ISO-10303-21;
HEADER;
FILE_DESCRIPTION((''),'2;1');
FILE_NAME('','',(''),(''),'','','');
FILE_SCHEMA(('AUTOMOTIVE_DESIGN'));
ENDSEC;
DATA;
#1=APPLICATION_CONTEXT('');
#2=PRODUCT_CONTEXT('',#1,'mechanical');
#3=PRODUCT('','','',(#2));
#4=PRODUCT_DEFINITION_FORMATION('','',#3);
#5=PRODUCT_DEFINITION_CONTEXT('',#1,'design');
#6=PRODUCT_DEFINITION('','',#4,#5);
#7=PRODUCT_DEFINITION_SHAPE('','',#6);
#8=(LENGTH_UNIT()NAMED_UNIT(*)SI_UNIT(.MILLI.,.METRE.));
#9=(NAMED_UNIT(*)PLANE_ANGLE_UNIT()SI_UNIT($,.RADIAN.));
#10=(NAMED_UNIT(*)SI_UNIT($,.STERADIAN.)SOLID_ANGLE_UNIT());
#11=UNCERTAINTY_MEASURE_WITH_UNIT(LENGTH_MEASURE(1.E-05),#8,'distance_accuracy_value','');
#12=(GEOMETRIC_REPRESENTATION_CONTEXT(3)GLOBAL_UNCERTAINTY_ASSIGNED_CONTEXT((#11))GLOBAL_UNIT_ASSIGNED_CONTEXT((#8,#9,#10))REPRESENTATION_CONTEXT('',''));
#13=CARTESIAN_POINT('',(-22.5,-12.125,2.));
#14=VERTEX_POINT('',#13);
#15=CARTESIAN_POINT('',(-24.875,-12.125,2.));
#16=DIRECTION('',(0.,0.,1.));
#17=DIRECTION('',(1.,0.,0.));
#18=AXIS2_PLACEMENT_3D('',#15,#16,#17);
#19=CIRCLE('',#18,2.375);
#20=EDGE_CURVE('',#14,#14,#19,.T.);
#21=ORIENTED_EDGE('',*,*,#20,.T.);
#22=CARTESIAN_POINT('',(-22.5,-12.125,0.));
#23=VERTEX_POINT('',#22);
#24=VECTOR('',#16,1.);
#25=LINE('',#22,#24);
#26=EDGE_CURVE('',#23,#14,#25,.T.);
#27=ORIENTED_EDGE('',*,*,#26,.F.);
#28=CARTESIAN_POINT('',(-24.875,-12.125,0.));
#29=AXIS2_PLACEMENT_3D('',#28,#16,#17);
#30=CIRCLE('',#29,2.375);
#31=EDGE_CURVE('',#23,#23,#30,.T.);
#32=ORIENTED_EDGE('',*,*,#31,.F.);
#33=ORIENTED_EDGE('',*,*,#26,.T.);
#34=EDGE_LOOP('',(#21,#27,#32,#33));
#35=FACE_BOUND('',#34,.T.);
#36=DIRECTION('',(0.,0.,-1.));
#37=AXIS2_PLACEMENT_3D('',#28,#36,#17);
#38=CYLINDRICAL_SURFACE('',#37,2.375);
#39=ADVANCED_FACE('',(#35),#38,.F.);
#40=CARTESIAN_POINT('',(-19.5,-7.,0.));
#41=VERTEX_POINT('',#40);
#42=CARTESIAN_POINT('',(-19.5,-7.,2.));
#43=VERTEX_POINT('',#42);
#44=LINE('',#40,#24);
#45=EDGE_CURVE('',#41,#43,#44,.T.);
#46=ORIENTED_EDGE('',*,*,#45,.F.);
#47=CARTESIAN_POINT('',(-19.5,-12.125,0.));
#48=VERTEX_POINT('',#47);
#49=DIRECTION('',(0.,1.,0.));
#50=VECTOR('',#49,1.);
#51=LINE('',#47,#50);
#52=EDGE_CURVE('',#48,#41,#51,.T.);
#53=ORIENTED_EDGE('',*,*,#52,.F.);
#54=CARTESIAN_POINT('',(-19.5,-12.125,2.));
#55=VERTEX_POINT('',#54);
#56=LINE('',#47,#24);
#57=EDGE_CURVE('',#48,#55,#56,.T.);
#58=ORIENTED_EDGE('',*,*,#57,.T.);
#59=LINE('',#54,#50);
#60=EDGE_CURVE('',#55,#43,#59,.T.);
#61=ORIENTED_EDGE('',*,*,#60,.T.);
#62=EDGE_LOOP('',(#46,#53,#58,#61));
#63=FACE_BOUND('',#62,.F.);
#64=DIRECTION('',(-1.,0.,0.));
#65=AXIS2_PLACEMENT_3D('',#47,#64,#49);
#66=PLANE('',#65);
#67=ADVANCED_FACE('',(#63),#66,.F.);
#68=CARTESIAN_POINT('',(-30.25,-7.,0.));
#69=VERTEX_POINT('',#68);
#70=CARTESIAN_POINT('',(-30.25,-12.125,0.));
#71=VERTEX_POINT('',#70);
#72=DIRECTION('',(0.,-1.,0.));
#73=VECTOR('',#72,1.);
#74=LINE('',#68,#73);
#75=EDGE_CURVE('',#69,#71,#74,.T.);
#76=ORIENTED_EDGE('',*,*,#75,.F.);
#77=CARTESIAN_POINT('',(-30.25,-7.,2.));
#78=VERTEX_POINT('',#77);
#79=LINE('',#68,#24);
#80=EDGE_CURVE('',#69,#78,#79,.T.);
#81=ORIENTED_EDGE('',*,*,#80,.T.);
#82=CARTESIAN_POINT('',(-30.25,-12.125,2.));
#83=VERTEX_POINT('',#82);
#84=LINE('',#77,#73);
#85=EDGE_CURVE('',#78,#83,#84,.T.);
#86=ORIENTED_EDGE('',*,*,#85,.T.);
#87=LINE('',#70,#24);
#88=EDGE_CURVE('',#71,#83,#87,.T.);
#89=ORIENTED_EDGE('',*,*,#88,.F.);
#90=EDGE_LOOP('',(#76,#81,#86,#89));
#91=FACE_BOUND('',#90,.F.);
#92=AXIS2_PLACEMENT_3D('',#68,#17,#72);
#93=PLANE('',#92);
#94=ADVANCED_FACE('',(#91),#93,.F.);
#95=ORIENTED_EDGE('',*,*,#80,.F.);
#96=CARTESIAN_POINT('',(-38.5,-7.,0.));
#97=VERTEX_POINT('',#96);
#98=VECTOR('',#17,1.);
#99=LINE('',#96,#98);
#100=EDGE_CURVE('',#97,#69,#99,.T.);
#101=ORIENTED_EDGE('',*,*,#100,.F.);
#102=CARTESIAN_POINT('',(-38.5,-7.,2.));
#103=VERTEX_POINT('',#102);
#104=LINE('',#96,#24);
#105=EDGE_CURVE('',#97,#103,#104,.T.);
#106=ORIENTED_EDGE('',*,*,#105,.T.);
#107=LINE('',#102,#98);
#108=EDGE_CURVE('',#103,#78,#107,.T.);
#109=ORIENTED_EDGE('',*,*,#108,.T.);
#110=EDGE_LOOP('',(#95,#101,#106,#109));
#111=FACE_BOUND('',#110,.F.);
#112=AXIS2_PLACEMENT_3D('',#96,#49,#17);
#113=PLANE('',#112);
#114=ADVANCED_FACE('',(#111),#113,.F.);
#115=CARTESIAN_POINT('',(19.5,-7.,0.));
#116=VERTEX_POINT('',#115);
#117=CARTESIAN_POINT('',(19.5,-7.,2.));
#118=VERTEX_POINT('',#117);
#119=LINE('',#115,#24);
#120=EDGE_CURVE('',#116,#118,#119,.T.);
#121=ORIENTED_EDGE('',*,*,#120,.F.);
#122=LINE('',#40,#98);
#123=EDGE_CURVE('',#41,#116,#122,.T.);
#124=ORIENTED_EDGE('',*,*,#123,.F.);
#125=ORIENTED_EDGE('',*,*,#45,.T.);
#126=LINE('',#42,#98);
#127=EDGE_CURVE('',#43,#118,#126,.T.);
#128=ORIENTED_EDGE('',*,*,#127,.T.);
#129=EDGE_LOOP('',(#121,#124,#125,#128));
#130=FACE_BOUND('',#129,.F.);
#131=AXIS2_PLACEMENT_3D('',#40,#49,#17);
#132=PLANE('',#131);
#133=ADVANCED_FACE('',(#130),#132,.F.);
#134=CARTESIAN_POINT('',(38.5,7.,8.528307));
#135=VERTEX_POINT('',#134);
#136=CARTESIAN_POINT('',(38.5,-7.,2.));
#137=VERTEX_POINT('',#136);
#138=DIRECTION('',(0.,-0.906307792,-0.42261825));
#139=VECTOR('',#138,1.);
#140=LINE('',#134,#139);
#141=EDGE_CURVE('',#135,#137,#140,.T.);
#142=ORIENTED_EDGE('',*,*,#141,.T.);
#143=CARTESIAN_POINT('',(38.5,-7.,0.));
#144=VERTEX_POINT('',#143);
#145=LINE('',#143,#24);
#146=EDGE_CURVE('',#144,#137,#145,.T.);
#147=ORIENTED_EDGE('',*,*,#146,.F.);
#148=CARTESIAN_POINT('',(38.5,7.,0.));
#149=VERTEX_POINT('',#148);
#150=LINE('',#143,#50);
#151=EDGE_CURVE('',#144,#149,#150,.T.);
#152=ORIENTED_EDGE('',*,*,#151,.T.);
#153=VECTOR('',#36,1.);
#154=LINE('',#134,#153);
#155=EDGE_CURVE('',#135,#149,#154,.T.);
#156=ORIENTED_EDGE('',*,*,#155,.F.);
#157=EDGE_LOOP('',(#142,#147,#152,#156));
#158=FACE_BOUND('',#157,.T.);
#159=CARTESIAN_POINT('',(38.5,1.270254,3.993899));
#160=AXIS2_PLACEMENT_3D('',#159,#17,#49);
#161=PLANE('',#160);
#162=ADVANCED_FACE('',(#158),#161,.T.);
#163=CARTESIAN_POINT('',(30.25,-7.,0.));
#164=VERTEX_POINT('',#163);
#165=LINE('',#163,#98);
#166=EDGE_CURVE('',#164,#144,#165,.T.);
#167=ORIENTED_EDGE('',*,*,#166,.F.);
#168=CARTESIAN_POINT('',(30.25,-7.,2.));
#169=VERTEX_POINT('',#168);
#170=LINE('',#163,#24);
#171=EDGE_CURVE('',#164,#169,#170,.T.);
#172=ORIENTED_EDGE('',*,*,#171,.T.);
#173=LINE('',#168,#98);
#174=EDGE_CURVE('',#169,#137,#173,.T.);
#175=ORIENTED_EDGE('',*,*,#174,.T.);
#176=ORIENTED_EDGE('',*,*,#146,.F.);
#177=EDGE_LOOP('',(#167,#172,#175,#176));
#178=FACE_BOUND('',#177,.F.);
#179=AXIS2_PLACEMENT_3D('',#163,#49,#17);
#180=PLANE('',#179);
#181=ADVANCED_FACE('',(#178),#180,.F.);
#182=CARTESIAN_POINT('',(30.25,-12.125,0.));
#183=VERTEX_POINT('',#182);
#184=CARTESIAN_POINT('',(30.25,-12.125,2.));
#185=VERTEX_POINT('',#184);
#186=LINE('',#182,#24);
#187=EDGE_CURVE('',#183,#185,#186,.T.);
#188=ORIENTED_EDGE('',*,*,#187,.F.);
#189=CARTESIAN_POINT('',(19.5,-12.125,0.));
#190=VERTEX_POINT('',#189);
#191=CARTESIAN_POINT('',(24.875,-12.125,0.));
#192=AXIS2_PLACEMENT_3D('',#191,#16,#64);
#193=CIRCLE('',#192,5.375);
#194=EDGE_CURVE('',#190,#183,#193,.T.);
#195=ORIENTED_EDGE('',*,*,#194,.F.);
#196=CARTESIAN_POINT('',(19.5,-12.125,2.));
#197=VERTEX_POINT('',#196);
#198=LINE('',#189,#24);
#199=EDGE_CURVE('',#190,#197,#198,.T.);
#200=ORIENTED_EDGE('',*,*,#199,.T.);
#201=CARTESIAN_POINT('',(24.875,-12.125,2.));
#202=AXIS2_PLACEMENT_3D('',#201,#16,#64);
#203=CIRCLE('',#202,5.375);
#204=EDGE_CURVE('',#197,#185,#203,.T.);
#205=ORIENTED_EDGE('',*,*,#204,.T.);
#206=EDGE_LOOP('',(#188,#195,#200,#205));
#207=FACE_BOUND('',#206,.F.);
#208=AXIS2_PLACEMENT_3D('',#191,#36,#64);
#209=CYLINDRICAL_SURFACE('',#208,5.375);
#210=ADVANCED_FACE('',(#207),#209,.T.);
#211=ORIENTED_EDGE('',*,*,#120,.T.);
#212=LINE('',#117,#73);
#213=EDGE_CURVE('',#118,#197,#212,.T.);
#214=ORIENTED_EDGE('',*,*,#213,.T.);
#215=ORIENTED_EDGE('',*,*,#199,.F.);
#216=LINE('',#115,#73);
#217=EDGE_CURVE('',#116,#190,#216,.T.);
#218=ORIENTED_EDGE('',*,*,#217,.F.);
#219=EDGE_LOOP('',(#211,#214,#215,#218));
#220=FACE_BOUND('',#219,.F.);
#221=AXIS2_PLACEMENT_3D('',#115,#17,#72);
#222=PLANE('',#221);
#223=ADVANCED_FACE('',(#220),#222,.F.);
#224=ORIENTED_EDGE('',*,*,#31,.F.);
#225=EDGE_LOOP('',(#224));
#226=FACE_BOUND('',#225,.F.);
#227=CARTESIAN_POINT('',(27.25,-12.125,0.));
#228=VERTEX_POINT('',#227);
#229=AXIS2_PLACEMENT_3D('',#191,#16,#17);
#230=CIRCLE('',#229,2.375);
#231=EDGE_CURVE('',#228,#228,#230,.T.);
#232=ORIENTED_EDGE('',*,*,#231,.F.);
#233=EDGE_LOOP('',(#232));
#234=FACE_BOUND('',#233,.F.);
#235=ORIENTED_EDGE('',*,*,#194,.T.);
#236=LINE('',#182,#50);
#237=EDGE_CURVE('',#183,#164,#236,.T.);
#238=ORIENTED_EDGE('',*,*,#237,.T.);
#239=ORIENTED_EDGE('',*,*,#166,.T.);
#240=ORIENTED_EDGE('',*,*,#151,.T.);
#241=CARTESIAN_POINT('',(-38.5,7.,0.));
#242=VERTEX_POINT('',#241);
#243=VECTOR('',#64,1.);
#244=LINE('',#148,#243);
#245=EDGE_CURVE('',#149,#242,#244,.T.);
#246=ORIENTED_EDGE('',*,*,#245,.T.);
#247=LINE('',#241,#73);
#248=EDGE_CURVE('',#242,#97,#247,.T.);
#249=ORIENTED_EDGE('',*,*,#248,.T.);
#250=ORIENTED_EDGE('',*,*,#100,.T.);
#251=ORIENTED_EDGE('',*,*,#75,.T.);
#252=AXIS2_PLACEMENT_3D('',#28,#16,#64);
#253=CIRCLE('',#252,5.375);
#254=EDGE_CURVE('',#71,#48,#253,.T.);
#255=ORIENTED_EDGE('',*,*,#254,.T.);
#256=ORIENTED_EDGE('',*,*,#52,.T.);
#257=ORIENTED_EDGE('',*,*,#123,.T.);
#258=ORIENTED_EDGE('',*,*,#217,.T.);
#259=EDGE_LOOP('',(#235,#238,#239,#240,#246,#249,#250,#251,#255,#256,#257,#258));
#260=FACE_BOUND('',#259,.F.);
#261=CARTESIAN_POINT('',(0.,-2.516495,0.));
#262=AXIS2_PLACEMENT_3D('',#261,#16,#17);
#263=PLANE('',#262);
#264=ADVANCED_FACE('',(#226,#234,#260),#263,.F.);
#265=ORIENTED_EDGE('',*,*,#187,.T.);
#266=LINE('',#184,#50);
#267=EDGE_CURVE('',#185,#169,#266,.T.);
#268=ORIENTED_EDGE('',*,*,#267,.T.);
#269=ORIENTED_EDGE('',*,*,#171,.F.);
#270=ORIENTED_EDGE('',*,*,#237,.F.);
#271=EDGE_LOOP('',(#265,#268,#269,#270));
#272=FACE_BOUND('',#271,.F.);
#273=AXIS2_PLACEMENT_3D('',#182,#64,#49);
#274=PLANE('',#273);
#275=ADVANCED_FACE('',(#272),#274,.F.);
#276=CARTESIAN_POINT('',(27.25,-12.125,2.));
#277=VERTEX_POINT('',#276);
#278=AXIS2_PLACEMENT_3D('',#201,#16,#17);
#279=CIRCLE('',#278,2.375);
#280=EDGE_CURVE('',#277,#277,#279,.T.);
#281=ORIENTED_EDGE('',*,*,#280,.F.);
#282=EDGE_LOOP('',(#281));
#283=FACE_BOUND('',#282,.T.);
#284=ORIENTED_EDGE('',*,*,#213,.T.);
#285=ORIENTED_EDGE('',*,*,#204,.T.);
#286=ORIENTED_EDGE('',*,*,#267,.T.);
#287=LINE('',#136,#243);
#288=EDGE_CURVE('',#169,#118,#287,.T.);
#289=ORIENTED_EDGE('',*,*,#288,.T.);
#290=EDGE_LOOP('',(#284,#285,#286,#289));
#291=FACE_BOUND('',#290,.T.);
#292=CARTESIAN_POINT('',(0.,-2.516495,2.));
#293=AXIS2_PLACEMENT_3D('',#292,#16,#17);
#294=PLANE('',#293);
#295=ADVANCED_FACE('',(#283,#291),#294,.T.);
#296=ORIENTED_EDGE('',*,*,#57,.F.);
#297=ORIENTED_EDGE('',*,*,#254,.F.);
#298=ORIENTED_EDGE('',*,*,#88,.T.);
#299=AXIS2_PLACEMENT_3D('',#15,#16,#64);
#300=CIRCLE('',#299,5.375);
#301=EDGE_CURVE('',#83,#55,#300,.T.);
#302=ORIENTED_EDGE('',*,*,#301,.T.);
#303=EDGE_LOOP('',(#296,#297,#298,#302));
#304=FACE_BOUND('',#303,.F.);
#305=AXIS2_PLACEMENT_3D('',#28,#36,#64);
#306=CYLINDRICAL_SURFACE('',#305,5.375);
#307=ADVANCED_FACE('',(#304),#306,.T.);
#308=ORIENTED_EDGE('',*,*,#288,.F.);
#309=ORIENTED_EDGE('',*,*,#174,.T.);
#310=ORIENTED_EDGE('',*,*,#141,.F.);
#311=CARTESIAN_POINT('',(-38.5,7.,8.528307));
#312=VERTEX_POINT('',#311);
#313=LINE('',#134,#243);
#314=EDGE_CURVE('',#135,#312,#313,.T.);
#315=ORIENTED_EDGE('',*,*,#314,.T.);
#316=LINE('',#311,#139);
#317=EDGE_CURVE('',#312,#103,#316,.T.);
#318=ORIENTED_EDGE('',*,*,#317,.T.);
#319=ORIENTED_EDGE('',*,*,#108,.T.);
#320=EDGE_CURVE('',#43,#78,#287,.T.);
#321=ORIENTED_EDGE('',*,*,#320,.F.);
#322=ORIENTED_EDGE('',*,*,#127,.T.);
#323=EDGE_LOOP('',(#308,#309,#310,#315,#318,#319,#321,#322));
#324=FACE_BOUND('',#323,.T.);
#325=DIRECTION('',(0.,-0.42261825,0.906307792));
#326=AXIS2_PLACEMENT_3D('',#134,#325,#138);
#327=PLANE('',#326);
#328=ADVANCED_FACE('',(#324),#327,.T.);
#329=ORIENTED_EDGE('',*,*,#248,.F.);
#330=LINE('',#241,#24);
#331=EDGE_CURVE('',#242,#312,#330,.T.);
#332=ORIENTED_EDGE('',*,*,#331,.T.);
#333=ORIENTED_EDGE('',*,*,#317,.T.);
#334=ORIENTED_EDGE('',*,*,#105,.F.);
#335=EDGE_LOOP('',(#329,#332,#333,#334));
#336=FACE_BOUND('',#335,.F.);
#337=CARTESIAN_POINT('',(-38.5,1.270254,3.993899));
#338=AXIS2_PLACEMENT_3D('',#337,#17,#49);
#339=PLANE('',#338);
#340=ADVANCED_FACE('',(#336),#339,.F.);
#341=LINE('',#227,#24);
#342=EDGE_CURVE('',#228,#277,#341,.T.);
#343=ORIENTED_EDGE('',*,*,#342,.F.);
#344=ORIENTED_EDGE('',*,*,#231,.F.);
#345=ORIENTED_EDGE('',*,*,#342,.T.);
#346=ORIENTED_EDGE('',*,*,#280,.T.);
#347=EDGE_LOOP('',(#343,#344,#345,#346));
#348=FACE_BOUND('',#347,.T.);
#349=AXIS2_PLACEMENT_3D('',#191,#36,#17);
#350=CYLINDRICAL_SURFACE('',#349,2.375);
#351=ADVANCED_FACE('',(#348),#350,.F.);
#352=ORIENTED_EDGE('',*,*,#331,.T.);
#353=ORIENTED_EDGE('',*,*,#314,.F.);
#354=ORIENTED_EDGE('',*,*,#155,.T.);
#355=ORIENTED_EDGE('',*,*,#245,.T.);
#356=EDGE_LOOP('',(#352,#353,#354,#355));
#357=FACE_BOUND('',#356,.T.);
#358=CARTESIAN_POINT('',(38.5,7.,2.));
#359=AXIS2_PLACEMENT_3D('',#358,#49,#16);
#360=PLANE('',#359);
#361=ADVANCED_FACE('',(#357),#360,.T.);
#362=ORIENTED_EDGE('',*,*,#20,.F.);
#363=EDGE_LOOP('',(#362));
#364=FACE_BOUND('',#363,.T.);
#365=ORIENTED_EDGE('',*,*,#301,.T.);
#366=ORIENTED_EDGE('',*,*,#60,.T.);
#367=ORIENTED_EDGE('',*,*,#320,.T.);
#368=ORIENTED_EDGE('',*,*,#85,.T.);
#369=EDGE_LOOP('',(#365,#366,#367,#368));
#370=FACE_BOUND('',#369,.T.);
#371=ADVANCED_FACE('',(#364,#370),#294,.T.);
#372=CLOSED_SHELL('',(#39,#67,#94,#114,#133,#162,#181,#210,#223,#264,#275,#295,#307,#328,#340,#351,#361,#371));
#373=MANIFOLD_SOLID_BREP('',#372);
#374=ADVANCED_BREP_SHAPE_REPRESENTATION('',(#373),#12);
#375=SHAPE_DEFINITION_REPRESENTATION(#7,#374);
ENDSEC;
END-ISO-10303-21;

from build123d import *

# Parameters (mm, degrees)
F0_R     = 2.375
F1_DEPTH = 2
F3_DEPTH = 77


with BuildPart() as f1:
    # F0 (on Top) → F1 (new body)
    with BuildSketch(Plane.XY):
        with BuildLine():
            Line((38.5, -7), (38.5, 7))
            Line((38.5, 7), (-38.5, 7))
            Line((-38.5, 7), (-38.5, -7))
            Line((-38.5, -7), (-30.25, -7))
            Line((-30.25, -7), (-30.25, -12.125))
            ThreePointArc((-30.25, -12.125), (-24.875, -17.5), (-19.5, -12.125))
            Line((-19.5, -12.125), (-19.5, -7))
            Line((-19.5, -7), (19.5, -7))
            Line((19.5, -7), (19.5, -12.125))
            ThreePointArc((19.5, -12.125), (24.875, -17.5), (30.25, -12.125))
            Line((30.25, -12.125), (30.25, -7))
            Line((30.25, -7), (38.5, -7))
        make_face()
        with Locations((-24.875, -12.125)):
            Circle(F0_R, mode=Mode.SUBTRACT)
        with Locations((24.875, -12.125)):
            Circle(F0_R, mode=Mode.SUBTRACT)
    extrude(amount=F1_DEPTH)

    # F2 (on face) → F3 (join, through all)
    with BuildSketch(Plane.YZ.offset(38.5)):
        Polygon((7, 8.528307), (-7, 2), (7, 2), align=None)
    extrude(amount=-F3_DEPTH)


solid = f1.part
